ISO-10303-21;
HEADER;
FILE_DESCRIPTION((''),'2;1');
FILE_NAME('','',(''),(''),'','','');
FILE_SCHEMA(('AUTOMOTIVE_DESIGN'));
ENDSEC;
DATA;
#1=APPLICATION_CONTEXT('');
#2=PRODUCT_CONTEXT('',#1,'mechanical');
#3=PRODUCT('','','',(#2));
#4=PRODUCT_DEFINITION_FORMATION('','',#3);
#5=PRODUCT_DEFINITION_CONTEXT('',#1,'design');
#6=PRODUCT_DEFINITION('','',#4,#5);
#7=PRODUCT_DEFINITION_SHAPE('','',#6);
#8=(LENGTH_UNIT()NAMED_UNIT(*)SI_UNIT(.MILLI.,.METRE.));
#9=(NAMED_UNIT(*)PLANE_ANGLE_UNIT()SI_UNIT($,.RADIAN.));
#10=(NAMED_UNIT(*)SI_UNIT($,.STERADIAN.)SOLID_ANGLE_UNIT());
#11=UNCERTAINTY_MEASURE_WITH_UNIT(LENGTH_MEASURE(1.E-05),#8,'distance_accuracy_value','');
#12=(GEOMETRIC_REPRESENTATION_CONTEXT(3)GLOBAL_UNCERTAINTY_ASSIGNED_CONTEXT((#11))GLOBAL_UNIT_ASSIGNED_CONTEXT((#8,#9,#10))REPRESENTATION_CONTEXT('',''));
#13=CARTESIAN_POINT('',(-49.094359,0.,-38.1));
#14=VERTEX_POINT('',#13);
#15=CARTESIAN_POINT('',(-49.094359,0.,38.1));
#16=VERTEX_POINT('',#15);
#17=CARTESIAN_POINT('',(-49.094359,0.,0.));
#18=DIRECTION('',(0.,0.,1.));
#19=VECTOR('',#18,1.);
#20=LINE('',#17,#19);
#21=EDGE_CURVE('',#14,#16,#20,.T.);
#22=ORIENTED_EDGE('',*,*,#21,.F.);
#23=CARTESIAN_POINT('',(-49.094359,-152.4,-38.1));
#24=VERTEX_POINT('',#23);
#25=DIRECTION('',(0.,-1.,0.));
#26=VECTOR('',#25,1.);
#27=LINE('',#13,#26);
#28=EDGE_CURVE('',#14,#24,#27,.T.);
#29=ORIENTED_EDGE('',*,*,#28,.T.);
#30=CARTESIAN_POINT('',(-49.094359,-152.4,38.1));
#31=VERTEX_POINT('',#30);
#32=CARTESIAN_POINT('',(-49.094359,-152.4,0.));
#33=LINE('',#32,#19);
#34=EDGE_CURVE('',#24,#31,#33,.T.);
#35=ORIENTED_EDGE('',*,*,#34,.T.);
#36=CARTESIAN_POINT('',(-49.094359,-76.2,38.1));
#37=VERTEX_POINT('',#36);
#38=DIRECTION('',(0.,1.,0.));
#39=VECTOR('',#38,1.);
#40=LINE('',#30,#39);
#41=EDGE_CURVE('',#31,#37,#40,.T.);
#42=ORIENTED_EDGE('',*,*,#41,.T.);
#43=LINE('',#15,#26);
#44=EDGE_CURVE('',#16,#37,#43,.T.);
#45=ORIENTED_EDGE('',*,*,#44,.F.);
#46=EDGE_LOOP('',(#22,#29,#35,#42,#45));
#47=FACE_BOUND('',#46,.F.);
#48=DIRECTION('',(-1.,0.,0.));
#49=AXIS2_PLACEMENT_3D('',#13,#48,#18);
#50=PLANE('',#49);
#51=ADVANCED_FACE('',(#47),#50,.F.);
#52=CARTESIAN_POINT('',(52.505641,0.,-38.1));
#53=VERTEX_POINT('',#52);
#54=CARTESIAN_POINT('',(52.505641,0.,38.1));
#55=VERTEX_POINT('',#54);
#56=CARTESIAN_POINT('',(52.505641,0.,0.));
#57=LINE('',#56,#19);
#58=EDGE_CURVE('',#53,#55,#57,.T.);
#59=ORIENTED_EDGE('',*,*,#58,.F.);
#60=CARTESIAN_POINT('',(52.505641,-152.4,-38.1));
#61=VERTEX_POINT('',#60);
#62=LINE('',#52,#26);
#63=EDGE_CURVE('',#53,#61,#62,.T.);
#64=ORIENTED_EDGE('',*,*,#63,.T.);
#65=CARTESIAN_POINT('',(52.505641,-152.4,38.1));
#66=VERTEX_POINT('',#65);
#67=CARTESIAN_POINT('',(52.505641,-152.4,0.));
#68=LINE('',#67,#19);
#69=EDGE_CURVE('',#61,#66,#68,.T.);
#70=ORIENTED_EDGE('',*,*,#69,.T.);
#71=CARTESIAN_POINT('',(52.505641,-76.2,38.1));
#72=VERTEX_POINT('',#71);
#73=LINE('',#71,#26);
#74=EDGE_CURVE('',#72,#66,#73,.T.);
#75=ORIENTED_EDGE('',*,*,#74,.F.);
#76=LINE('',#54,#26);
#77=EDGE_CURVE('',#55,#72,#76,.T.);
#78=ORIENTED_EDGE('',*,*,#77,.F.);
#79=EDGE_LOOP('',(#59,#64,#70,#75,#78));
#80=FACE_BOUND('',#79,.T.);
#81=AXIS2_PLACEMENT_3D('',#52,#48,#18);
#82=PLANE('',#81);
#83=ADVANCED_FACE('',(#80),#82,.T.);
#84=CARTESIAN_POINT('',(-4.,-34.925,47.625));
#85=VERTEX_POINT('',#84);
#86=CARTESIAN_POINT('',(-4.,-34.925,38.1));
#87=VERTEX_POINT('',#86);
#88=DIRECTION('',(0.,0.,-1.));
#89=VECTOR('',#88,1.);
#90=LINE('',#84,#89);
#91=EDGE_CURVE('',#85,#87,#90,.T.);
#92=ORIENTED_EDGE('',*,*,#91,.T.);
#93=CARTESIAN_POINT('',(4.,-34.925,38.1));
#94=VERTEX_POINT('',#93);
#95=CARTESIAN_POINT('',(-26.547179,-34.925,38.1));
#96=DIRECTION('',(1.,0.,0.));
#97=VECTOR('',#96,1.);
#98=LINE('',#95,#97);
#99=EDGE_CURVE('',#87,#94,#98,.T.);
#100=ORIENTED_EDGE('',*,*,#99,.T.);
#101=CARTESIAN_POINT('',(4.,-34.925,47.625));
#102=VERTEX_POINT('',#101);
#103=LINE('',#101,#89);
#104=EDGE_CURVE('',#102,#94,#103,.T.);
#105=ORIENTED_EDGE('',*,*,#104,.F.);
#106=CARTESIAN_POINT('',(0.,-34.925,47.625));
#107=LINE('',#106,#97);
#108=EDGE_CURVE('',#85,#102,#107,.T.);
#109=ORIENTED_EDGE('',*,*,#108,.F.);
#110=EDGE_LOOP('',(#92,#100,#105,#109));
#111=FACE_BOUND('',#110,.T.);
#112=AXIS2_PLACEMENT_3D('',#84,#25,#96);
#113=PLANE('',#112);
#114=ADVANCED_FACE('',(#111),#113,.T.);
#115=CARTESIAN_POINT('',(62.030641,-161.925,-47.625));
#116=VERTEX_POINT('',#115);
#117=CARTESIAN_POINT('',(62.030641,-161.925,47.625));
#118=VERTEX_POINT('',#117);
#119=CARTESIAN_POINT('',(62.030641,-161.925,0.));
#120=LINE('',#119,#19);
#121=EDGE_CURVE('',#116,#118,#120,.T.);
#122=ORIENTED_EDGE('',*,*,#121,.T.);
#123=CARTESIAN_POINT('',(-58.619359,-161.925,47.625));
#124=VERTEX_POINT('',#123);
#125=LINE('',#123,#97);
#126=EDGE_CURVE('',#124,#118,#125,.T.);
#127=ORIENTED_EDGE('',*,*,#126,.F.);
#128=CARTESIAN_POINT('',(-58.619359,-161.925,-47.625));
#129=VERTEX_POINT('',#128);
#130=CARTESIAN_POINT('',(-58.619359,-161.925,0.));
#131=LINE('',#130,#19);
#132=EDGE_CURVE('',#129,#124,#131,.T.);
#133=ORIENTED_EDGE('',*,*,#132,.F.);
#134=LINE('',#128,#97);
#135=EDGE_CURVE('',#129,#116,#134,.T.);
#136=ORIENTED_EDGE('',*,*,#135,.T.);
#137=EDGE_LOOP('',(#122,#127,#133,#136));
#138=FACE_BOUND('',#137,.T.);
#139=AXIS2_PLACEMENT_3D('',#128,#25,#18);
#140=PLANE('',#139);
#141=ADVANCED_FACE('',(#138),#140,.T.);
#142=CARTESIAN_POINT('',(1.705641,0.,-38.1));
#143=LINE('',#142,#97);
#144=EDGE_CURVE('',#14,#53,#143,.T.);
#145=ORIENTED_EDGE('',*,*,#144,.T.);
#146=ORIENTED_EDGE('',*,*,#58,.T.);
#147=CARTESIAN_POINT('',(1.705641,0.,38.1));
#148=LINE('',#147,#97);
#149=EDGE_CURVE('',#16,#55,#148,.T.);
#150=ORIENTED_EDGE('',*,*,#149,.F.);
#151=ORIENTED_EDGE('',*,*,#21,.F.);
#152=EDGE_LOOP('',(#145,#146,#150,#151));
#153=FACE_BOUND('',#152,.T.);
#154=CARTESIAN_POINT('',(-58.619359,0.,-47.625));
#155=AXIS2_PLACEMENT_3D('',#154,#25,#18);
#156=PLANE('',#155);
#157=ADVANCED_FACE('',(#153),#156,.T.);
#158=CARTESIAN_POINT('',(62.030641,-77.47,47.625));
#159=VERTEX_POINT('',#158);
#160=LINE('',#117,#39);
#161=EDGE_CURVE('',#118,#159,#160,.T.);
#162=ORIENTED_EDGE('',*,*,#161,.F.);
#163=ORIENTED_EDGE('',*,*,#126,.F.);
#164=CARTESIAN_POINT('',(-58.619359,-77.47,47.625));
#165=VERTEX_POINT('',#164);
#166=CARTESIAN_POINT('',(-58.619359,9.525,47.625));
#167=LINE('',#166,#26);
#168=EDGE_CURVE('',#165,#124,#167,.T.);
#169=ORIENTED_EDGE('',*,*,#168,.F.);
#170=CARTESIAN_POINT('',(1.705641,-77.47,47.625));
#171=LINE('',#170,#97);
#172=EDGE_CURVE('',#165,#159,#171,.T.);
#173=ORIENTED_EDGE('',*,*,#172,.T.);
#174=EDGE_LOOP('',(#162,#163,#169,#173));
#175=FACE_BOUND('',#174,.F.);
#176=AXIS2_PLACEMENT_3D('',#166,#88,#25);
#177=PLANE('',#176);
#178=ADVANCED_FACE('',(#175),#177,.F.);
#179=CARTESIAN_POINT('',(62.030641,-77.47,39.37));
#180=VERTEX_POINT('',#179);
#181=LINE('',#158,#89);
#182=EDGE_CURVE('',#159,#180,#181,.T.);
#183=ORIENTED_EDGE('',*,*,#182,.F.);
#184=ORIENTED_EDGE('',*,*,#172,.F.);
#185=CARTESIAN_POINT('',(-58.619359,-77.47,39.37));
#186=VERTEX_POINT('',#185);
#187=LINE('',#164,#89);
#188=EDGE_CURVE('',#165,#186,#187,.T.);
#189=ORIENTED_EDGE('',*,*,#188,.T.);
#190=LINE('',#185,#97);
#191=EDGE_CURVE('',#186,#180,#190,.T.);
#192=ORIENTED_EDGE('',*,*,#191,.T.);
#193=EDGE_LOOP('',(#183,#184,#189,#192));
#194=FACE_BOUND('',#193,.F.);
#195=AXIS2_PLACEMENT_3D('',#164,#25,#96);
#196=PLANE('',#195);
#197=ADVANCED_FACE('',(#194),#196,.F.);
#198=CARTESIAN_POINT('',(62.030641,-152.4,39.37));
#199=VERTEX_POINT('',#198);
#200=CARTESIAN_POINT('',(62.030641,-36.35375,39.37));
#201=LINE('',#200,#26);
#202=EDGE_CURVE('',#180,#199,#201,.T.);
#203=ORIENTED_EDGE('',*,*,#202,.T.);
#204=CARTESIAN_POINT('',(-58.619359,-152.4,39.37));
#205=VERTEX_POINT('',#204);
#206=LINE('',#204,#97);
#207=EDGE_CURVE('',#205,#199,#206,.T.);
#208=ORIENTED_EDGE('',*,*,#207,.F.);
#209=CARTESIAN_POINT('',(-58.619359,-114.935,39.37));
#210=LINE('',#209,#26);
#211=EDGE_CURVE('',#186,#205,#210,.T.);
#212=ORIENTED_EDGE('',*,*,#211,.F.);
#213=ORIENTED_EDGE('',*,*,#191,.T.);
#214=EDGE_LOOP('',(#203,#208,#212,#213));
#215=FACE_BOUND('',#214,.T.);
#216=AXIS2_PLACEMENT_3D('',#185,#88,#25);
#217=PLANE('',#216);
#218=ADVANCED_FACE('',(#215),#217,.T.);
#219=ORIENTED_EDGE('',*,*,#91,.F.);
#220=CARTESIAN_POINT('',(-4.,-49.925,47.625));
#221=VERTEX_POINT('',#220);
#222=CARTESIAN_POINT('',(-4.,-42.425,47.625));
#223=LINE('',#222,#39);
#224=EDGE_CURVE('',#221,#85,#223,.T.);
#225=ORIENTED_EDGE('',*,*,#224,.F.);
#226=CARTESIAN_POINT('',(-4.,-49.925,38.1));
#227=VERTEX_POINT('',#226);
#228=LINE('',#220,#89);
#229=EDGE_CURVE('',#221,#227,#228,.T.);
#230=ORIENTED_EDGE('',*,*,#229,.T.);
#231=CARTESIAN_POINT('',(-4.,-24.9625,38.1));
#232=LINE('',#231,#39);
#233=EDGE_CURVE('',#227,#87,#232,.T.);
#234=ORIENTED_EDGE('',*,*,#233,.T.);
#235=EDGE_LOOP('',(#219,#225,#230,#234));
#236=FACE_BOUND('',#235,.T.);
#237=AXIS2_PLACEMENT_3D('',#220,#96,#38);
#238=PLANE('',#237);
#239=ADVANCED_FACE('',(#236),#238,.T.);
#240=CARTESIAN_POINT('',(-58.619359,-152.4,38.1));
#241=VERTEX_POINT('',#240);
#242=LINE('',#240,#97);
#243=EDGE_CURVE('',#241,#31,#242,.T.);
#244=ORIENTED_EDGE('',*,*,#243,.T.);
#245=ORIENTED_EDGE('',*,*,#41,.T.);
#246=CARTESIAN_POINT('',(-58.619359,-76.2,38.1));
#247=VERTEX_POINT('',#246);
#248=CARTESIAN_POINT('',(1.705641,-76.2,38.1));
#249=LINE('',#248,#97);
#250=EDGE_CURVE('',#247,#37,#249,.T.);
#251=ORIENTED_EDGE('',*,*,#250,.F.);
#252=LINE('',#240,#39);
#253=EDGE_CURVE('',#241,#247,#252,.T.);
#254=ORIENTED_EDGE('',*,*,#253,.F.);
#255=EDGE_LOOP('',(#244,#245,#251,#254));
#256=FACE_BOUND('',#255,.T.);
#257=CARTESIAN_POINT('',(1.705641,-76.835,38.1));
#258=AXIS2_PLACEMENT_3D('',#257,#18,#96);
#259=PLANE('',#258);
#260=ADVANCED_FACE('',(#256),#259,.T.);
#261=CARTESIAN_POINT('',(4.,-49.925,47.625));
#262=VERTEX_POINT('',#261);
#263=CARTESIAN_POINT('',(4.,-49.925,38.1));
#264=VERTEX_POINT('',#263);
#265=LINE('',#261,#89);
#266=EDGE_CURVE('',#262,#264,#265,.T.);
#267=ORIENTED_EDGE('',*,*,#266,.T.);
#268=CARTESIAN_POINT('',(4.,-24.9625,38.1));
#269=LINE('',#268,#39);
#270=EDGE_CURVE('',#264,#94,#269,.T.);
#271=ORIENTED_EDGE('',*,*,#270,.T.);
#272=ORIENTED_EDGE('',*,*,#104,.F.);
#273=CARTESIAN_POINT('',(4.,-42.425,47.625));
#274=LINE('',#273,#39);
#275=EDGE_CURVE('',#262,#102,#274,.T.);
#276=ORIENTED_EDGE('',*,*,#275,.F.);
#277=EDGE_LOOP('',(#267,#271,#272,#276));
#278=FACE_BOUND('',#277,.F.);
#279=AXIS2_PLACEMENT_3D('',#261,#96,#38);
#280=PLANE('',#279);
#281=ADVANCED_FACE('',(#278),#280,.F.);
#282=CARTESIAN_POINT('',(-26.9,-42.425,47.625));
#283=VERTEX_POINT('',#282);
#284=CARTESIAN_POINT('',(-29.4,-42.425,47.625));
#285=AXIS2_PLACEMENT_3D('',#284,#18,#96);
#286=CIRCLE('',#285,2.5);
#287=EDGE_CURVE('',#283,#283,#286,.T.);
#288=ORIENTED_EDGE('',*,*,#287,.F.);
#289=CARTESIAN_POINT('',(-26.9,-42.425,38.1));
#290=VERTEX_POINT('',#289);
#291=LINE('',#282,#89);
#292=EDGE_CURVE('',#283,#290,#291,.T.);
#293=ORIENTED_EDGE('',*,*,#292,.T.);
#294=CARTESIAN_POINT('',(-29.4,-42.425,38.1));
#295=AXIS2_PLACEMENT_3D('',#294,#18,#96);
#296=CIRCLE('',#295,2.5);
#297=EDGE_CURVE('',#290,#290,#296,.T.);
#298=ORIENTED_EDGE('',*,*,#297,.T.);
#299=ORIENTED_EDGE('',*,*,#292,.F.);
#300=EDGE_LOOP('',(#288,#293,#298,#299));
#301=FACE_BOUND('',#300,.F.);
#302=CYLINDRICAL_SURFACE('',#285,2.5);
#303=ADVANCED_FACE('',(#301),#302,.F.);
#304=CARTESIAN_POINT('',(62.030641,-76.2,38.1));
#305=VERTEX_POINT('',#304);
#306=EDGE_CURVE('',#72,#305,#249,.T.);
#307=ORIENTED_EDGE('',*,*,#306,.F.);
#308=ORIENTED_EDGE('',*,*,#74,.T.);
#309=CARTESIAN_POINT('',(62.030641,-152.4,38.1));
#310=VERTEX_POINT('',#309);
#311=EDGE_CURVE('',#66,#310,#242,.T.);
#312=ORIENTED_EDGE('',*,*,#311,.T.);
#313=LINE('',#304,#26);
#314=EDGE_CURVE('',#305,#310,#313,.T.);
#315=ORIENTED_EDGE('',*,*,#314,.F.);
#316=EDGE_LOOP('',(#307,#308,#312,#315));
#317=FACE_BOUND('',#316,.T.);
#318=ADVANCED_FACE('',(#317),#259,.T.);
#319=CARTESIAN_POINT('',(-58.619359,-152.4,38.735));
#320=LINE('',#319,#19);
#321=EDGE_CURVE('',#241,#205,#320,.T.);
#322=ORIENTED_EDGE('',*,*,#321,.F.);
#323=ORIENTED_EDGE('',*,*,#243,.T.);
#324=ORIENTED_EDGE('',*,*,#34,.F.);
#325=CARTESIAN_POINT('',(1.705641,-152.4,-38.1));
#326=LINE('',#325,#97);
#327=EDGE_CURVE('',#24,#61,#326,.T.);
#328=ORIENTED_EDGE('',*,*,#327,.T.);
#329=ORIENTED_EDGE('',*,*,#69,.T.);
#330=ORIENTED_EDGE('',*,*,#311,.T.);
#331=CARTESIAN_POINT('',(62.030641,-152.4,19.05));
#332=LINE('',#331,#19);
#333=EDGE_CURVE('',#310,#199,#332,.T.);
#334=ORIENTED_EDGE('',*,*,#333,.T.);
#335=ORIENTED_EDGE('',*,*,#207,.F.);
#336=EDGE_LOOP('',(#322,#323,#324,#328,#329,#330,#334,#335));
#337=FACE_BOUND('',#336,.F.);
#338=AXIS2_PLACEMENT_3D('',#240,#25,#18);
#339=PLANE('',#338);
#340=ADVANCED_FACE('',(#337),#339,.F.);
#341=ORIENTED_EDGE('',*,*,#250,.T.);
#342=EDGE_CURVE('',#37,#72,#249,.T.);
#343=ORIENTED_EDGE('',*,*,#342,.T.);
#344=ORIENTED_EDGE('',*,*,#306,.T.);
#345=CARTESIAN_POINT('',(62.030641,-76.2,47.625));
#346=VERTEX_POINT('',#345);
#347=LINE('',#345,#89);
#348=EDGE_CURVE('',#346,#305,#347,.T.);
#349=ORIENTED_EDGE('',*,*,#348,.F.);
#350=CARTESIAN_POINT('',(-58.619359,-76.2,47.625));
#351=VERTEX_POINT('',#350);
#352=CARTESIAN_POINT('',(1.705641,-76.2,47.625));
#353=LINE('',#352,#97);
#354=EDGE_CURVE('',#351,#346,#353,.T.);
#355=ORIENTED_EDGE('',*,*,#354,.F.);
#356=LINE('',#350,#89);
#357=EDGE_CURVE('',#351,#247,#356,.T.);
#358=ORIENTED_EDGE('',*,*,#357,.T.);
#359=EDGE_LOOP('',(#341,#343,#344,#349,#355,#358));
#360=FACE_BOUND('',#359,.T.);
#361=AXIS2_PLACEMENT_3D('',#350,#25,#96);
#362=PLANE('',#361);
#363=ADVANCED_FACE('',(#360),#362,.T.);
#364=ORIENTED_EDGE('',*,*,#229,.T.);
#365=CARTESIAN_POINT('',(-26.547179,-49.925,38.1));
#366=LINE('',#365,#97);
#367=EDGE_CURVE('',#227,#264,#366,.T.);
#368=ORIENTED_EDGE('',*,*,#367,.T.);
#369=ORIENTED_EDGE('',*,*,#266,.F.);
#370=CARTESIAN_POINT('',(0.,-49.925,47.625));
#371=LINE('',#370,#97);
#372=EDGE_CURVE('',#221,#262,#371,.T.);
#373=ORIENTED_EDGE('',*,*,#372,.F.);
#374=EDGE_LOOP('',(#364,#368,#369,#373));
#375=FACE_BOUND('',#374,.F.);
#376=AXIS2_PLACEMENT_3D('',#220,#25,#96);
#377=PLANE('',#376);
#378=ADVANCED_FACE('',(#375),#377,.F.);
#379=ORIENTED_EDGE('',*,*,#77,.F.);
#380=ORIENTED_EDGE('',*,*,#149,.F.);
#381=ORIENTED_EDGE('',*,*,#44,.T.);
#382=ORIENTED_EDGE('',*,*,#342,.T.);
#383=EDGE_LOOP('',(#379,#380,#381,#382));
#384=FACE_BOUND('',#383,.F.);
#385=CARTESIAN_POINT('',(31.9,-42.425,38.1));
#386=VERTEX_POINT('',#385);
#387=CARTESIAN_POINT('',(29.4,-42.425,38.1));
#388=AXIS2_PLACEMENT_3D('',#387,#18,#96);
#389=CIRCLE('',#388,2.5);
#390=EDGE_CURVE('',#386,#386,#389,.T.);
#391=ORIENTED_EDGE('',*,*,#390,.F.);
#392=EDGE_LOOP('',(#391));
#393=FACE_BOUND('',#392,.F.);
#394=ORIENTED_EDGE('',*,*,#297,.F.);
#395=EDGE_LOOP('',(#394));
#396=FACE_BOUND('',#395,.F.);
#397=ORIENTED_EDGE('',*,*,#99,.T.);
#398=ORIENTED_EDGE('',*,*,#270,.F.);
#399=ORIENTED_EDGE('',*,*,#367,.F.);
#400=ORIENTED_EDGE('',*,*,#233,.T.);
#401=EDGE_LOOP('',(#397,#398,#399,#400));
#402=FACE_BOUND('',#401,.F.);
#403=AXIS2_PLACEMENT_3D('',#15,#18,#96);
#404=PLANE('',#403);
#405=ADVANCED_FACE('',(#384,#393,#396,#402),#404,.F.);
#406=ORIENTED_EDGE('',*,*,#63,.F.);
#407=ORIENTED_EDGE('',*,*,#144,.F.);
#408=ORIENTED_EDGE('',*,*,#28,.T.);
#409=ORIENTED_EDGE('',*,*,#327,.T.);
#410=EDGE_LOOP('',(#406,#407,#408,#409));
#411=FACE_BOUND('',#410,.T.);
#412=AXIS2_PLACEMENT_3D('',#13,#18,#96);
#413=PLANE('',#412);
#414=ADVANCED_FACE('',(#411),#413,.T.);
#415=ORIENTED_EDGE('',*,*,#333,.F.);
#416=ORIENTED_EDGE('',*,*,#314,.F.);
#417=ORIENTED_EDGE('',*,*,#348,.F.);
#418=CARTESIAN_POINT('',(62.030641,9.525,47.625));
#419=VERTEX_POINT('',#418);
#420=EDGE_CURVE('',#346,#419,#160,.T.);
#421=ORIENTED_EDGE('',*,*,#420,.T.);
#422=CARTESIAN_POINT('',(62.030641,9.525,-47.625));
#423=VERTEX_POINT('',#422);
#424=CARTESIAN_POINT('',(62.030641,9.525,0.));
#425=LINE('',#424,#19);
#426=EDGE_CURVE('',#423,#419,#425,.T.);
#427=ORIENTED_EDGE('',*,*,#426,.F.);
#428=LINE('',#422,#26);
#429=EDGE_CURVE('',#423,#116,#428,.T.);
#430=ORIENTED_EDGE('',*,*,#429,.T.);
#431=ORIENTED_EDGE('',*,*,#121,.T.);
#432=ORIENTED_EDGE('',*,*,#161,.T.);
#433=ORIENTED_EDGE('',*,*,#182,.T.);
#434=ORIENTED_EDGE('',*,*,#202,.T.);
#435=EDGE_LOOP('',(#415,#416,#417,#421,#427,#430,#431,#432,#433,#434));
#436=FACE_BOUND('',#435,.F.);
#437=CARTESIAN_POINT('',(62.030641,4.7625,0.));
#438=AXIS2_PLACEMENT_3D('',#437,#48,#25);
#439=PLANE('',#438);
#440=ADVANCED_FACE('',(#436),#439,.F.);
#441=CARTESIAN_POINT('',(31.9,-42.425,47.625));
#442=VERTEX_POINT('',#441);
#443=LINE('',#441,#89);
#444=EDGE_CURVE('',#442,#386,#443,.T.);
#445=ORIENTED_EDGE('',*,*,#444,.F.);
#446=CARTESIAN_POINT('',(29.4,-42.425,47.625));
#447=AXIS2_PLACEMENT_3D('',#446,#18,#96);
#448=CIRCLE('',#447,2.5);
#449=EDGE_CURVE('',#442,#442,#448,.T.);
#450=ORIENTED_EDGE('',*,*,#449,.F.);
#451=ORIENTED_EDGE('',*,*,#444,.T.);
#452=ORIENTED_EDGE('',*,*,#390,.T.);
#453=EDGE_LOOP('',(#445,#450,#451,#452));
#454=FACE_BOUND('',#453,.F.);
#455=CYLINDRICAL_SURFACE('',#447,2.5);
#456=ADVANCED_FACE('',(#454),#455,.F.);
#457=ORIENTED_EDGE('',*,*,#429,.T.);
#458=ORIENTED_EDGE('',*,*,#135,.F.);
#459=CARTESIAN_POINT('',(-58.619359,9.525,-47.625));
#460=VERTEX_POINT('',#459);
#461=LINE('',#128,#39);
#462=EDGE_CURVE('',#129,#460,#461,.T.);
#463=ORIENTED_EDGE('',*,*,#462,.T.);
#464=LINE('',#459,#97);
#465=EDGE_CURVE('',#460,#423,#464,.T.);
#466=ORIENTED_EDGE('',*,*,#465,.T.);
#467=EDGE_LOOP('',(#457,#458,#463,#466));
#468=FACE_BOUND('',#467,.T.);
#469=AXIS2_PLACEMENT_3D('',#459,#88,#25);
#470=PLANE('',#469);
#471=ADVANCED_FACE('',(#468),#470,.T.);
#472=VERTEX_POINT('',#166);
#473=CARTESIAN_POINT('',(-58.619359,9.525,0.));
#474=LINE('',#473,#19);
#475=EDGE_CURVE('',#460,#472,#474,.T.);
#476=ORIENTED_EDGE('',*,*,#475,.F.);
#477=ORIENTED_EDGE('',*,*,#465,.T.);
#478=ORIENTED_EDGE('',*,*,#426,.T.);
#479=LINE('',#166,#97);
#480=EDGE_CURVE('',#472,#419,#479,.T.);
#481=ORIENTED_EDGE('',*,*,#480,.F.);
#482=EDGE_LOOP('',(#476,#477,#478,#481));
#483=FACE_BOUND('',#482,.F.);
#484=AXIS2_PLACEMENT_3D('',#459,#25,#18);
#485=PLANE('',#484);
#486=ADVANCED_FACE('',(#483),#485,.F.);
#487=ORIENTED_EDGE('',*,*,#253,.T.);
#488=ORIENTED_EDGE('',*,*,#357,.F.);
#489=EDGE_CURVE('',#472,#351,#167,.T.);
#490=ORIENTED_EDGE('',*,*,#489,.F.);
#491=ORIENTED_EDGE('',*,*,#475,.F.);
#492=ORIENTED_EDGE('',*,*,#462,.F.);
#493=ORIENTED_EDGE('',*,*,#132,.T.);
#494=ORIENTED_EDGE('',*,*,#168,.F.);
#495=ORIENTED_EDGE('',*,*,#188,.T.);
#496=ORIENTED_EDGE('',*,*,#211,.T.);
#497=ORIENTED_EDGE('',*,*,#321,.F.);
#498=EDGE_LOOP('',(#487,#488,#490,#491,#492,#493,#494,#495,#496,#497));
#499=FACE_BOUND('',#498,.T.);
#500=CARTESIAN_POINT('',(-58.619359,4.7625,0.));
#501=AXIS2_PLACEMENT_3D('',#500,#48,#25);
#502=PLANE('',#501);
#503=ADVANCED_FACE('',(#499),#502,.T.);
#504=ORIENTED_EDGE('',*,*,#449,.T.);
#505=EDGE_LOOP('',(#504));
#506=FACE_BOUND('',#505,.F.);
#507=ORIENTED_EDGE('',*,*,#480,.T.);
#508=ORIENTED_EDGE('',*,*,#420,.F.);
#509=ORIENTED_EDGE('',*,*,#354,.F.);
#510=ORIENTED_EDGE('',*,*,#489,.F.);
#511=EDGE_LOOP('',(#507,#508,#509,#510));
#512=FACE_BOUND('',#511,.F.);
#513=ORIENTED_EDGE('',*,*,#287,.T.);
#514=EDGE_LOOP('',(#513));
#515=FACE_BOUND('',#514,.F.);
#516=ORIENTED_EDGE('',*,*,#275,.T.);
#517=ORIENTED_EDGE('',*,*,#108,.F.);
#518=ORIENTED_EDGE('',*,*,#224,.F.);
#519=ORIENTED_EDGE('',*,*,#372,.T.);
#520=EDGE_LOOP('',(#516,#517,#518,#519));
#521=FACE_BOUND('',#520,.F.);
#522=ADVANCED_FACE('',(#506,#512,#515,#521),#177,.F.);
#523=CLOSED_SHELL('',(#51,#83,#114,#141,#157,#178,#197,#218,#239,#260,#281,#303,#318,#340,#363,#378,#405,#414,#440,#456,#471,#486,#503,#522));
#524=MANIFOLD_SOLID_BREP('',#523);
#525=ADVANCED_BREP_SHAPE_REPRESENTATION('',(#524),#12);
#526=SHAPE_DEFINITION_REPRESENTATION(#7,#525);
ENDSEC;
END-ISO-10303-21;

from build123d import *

# Parameters (mm, degrees)
F0_W     = 120.65
F0_H     = 95.25
F0_W_2   = 101.6
F0_H_2   = 76.2
F1_DEPTH = 152.4
F2_W     = 9.525
F2_H     = 95.25
F3_DEPTH = 120.65
F4_W     = 120.65
F4_H     = 1.27
F5_DEPTH = 9.525
F6_W     = 8
F6_H     = 15
F6_R     = 2.5
F7_DEPTH = 25.4
F8_W     = 74.93
F8_H     = 1.27
F9_DEPTH = 179.07


with BuildPart() as f1:
    # F0 (on Front) → F1 (new body)
    with BuildSketch(Plane.XZ):
        with Locations((1.705641, 0)):
            Rectangle(F0_W, F0_H)
        with Locations((1.705641, 0)):
            Rectangle(F0_W_2, F0_H_2, mode=Mode.SUBTRACT)
    extrude(amount=F1_DEPTH)

    # F2 (on face) → F3 (join)
    with BuildSketch(Plane(origin=(-58.619359, 0, 0), x_dir=(0, -1, 0), z_dir=(-1, 0, 0))):
        with Locations((-4.7625, 0)):
            Rectangle(F2_W, F2_H)
        with Locations((157.1625, 0)):
            Rectangle(F2_W, F2_H)
    extrude(amount=-F3_DEPTH)

    # F4 (on face) → F5 (cut)
    with BuildSketch(Plane.XY.offset(47.625)):
        with Locations((1.705641, -76.835)):
            Rectangle(F4_W, F4_H)
    extrude(amount=-F5_DEPTH, mode=Mode.SUBTRACT)

    # F6 (on face) → F7 (cut)
    with BuildSketch(Plane.XY.offset(47.625)):
        with Locations((0, -42.425)):
            Rectangle(F6_W, F6_H)
        with Locations((-29.4, -42.425)):
            Circle(F6_R)
        with Locations((29.4, -42.425)):
            Circle(F6_R)
    extrude(amount=-F7_DEPTH, mode=Mode.SUBTRACT)

    # F8 (on face) → F9 (cut)
    with BuildSketch(Plane(origin=(-58.619359, 0, 0), x_dir=(0, -1, 0), z_dir=(-1, 0, 0))):
        with Locations((114.935, 38.735)):
            Rectangle(F8_W, F8_H)
    extrude(amount=-F9_DEPTH, mode=Mode.SUBTRACT)


solid = f1.part
